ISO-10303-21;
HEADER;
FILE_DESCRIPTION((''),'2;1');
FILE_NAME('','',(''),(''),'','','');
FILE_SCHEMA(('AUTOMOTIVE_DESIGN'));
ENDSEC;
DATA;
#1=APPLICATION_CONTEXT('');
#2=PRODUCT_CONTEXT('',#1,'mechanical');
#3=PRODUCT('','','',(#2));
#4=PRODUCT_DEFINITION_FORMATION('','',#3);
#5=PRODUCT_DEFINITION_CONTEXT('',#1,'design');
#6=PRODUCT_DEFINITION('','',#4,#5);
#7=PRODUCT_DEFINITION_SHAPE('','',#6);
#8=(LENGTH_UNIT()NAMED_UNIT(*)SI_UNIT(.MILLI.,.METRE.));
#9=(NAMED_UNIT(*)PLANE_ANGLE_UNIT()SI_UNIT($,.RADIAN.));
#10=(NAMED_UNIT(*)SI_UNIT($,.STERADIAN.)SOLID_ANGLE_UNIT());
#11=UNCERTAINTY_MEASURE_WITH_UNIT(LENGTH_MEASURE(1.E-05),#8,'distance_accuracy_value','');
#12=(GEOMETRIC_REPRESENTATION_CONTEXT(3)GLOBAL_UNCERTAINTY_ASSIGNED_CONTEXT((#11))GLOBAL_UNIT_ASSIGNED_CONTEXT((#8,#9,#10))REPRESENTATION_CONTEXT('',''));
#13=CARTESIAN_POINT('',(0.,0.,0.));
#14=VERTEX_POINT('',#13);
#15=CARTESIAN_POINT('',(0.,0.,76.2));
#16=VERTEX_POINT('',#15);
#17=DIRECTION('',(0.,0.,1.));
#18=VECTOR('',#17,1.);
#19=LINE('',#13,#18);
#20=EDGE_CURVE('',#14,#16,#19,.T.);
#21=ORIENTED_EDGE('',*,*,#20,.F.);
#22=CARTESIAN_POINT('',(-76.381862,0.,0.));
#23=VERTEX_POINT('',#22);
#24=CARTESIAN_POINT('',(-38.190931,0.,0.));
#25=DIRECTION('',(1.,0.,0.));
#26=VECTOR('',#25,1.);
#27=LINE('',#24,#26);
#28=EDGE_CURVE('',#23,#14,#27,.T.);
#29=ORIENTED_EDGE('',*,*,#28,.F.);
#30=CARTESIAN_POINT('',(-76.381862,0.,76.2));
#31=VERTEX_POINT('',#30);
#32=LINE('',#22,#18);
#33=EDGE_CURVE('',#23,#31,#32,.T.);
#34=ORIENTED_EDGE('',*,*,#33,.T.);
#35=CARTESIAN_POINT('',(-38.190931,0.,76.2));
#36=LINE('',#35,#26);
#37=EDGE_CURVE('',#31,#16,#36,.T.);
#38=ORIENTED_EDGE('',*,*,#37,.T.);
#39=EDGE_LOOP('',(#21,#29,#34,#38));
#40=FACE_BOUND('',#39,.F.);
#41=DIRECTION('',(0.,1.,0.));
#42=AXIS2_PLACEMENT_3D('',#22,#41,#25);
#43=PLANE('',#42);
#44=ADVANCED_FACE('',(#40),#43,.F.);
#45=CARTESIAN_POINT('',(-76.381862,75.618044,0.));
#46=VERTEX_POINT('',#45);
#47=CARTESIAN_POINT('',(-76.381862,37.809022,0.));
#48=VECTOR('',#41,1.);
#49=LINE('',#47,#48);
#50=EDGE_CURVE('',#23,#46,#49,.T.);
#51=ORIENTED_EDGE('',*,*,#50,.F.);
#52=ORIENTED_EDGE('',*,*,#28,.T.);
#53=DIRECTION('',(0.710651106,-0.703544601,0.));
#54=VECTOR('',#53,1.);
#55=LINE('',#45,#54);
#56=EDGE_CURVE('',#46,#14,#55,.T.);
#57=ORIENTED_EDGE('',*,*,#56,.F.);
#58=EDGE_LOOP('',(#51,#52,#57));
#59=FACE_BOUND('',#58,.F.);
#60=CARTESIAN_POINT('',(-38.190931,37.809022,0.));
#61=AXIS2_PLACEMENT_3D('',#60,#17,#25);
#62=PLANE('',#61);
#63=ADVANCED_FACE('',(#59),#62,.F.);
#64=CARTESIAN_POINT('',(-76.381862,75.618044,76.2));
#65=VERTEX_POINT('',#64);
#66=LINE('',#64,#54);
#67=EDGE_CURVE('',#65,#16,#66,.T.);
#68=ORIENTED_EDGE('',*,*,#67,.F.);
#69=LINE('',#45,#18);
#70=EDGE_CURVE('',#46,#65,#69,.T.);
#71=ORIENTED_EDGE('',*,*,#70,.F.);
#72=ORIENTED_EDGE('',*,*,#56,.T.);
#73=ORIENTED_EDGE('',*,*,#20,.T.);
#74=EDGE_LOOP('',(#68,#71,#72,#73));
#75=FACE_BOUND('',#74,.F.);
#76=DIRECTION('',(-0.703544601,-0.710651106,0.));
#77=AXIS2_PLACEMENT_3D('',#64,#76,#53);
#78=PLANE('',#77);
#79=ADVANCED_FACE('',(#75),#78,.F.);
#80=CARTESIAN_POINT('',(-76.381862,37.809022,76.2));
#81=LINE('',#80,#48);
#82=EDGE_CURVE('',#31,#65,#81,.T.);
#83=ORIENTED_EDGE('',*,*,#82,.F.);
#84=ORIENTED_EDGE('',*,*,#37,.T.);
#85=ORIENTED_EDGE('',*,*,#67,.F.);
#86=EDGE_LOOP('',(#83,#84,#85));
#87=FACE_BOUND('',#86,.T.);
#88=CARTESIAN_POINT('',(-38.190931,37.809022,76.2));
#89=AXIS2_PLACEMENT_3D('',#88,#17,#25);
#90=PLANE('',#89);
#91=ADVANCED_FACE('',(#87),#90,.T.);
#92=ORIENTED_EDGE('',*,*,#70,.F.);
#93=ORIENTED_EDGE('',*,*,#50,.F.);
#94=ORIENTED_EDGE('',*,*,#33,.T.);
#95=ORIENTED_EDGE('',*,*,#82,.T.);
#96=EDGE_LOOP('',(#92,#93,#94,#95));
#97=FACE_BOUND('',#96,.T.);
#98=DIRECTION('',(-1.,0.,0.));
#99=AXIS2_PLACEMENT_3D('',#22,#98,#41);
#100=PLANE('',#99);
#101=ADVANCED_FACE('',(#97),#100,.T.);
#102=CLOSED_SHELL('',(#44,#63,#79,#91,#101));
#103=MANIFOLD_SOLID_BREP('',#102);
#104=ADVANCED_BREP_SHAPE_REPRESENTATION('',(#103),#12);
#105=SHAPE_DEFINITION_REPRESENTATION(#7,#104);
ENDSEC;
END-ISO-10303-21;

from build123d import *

# Parameters (mm, degrees)
F0_W     = 76.381862
F0_H     = 75.618044
F1_DEPTH = 76.2
F3_DEPTH = 76.2


with BuildPart() as f1:
    # F0 (on Top) → F1 (new body)
    with BuildSketch(Plane.XY):
        with Locations((-38.190931, 37.809022)):
            Rectangle(F0_W, F0_H)
    extrude(amount=F1_DEPTH)

    # F2 (on face) → F3 (cut)
    with BuildSketch(Plane.XY.offset(76.2)):
        Polygon((0, 75.618044), (-76.381862, 75.618044), (0, 0), align=None)
    extrude(amount=-F3_DEPTH, mode=Mode.SUBTRACT)


solid = f1.part
